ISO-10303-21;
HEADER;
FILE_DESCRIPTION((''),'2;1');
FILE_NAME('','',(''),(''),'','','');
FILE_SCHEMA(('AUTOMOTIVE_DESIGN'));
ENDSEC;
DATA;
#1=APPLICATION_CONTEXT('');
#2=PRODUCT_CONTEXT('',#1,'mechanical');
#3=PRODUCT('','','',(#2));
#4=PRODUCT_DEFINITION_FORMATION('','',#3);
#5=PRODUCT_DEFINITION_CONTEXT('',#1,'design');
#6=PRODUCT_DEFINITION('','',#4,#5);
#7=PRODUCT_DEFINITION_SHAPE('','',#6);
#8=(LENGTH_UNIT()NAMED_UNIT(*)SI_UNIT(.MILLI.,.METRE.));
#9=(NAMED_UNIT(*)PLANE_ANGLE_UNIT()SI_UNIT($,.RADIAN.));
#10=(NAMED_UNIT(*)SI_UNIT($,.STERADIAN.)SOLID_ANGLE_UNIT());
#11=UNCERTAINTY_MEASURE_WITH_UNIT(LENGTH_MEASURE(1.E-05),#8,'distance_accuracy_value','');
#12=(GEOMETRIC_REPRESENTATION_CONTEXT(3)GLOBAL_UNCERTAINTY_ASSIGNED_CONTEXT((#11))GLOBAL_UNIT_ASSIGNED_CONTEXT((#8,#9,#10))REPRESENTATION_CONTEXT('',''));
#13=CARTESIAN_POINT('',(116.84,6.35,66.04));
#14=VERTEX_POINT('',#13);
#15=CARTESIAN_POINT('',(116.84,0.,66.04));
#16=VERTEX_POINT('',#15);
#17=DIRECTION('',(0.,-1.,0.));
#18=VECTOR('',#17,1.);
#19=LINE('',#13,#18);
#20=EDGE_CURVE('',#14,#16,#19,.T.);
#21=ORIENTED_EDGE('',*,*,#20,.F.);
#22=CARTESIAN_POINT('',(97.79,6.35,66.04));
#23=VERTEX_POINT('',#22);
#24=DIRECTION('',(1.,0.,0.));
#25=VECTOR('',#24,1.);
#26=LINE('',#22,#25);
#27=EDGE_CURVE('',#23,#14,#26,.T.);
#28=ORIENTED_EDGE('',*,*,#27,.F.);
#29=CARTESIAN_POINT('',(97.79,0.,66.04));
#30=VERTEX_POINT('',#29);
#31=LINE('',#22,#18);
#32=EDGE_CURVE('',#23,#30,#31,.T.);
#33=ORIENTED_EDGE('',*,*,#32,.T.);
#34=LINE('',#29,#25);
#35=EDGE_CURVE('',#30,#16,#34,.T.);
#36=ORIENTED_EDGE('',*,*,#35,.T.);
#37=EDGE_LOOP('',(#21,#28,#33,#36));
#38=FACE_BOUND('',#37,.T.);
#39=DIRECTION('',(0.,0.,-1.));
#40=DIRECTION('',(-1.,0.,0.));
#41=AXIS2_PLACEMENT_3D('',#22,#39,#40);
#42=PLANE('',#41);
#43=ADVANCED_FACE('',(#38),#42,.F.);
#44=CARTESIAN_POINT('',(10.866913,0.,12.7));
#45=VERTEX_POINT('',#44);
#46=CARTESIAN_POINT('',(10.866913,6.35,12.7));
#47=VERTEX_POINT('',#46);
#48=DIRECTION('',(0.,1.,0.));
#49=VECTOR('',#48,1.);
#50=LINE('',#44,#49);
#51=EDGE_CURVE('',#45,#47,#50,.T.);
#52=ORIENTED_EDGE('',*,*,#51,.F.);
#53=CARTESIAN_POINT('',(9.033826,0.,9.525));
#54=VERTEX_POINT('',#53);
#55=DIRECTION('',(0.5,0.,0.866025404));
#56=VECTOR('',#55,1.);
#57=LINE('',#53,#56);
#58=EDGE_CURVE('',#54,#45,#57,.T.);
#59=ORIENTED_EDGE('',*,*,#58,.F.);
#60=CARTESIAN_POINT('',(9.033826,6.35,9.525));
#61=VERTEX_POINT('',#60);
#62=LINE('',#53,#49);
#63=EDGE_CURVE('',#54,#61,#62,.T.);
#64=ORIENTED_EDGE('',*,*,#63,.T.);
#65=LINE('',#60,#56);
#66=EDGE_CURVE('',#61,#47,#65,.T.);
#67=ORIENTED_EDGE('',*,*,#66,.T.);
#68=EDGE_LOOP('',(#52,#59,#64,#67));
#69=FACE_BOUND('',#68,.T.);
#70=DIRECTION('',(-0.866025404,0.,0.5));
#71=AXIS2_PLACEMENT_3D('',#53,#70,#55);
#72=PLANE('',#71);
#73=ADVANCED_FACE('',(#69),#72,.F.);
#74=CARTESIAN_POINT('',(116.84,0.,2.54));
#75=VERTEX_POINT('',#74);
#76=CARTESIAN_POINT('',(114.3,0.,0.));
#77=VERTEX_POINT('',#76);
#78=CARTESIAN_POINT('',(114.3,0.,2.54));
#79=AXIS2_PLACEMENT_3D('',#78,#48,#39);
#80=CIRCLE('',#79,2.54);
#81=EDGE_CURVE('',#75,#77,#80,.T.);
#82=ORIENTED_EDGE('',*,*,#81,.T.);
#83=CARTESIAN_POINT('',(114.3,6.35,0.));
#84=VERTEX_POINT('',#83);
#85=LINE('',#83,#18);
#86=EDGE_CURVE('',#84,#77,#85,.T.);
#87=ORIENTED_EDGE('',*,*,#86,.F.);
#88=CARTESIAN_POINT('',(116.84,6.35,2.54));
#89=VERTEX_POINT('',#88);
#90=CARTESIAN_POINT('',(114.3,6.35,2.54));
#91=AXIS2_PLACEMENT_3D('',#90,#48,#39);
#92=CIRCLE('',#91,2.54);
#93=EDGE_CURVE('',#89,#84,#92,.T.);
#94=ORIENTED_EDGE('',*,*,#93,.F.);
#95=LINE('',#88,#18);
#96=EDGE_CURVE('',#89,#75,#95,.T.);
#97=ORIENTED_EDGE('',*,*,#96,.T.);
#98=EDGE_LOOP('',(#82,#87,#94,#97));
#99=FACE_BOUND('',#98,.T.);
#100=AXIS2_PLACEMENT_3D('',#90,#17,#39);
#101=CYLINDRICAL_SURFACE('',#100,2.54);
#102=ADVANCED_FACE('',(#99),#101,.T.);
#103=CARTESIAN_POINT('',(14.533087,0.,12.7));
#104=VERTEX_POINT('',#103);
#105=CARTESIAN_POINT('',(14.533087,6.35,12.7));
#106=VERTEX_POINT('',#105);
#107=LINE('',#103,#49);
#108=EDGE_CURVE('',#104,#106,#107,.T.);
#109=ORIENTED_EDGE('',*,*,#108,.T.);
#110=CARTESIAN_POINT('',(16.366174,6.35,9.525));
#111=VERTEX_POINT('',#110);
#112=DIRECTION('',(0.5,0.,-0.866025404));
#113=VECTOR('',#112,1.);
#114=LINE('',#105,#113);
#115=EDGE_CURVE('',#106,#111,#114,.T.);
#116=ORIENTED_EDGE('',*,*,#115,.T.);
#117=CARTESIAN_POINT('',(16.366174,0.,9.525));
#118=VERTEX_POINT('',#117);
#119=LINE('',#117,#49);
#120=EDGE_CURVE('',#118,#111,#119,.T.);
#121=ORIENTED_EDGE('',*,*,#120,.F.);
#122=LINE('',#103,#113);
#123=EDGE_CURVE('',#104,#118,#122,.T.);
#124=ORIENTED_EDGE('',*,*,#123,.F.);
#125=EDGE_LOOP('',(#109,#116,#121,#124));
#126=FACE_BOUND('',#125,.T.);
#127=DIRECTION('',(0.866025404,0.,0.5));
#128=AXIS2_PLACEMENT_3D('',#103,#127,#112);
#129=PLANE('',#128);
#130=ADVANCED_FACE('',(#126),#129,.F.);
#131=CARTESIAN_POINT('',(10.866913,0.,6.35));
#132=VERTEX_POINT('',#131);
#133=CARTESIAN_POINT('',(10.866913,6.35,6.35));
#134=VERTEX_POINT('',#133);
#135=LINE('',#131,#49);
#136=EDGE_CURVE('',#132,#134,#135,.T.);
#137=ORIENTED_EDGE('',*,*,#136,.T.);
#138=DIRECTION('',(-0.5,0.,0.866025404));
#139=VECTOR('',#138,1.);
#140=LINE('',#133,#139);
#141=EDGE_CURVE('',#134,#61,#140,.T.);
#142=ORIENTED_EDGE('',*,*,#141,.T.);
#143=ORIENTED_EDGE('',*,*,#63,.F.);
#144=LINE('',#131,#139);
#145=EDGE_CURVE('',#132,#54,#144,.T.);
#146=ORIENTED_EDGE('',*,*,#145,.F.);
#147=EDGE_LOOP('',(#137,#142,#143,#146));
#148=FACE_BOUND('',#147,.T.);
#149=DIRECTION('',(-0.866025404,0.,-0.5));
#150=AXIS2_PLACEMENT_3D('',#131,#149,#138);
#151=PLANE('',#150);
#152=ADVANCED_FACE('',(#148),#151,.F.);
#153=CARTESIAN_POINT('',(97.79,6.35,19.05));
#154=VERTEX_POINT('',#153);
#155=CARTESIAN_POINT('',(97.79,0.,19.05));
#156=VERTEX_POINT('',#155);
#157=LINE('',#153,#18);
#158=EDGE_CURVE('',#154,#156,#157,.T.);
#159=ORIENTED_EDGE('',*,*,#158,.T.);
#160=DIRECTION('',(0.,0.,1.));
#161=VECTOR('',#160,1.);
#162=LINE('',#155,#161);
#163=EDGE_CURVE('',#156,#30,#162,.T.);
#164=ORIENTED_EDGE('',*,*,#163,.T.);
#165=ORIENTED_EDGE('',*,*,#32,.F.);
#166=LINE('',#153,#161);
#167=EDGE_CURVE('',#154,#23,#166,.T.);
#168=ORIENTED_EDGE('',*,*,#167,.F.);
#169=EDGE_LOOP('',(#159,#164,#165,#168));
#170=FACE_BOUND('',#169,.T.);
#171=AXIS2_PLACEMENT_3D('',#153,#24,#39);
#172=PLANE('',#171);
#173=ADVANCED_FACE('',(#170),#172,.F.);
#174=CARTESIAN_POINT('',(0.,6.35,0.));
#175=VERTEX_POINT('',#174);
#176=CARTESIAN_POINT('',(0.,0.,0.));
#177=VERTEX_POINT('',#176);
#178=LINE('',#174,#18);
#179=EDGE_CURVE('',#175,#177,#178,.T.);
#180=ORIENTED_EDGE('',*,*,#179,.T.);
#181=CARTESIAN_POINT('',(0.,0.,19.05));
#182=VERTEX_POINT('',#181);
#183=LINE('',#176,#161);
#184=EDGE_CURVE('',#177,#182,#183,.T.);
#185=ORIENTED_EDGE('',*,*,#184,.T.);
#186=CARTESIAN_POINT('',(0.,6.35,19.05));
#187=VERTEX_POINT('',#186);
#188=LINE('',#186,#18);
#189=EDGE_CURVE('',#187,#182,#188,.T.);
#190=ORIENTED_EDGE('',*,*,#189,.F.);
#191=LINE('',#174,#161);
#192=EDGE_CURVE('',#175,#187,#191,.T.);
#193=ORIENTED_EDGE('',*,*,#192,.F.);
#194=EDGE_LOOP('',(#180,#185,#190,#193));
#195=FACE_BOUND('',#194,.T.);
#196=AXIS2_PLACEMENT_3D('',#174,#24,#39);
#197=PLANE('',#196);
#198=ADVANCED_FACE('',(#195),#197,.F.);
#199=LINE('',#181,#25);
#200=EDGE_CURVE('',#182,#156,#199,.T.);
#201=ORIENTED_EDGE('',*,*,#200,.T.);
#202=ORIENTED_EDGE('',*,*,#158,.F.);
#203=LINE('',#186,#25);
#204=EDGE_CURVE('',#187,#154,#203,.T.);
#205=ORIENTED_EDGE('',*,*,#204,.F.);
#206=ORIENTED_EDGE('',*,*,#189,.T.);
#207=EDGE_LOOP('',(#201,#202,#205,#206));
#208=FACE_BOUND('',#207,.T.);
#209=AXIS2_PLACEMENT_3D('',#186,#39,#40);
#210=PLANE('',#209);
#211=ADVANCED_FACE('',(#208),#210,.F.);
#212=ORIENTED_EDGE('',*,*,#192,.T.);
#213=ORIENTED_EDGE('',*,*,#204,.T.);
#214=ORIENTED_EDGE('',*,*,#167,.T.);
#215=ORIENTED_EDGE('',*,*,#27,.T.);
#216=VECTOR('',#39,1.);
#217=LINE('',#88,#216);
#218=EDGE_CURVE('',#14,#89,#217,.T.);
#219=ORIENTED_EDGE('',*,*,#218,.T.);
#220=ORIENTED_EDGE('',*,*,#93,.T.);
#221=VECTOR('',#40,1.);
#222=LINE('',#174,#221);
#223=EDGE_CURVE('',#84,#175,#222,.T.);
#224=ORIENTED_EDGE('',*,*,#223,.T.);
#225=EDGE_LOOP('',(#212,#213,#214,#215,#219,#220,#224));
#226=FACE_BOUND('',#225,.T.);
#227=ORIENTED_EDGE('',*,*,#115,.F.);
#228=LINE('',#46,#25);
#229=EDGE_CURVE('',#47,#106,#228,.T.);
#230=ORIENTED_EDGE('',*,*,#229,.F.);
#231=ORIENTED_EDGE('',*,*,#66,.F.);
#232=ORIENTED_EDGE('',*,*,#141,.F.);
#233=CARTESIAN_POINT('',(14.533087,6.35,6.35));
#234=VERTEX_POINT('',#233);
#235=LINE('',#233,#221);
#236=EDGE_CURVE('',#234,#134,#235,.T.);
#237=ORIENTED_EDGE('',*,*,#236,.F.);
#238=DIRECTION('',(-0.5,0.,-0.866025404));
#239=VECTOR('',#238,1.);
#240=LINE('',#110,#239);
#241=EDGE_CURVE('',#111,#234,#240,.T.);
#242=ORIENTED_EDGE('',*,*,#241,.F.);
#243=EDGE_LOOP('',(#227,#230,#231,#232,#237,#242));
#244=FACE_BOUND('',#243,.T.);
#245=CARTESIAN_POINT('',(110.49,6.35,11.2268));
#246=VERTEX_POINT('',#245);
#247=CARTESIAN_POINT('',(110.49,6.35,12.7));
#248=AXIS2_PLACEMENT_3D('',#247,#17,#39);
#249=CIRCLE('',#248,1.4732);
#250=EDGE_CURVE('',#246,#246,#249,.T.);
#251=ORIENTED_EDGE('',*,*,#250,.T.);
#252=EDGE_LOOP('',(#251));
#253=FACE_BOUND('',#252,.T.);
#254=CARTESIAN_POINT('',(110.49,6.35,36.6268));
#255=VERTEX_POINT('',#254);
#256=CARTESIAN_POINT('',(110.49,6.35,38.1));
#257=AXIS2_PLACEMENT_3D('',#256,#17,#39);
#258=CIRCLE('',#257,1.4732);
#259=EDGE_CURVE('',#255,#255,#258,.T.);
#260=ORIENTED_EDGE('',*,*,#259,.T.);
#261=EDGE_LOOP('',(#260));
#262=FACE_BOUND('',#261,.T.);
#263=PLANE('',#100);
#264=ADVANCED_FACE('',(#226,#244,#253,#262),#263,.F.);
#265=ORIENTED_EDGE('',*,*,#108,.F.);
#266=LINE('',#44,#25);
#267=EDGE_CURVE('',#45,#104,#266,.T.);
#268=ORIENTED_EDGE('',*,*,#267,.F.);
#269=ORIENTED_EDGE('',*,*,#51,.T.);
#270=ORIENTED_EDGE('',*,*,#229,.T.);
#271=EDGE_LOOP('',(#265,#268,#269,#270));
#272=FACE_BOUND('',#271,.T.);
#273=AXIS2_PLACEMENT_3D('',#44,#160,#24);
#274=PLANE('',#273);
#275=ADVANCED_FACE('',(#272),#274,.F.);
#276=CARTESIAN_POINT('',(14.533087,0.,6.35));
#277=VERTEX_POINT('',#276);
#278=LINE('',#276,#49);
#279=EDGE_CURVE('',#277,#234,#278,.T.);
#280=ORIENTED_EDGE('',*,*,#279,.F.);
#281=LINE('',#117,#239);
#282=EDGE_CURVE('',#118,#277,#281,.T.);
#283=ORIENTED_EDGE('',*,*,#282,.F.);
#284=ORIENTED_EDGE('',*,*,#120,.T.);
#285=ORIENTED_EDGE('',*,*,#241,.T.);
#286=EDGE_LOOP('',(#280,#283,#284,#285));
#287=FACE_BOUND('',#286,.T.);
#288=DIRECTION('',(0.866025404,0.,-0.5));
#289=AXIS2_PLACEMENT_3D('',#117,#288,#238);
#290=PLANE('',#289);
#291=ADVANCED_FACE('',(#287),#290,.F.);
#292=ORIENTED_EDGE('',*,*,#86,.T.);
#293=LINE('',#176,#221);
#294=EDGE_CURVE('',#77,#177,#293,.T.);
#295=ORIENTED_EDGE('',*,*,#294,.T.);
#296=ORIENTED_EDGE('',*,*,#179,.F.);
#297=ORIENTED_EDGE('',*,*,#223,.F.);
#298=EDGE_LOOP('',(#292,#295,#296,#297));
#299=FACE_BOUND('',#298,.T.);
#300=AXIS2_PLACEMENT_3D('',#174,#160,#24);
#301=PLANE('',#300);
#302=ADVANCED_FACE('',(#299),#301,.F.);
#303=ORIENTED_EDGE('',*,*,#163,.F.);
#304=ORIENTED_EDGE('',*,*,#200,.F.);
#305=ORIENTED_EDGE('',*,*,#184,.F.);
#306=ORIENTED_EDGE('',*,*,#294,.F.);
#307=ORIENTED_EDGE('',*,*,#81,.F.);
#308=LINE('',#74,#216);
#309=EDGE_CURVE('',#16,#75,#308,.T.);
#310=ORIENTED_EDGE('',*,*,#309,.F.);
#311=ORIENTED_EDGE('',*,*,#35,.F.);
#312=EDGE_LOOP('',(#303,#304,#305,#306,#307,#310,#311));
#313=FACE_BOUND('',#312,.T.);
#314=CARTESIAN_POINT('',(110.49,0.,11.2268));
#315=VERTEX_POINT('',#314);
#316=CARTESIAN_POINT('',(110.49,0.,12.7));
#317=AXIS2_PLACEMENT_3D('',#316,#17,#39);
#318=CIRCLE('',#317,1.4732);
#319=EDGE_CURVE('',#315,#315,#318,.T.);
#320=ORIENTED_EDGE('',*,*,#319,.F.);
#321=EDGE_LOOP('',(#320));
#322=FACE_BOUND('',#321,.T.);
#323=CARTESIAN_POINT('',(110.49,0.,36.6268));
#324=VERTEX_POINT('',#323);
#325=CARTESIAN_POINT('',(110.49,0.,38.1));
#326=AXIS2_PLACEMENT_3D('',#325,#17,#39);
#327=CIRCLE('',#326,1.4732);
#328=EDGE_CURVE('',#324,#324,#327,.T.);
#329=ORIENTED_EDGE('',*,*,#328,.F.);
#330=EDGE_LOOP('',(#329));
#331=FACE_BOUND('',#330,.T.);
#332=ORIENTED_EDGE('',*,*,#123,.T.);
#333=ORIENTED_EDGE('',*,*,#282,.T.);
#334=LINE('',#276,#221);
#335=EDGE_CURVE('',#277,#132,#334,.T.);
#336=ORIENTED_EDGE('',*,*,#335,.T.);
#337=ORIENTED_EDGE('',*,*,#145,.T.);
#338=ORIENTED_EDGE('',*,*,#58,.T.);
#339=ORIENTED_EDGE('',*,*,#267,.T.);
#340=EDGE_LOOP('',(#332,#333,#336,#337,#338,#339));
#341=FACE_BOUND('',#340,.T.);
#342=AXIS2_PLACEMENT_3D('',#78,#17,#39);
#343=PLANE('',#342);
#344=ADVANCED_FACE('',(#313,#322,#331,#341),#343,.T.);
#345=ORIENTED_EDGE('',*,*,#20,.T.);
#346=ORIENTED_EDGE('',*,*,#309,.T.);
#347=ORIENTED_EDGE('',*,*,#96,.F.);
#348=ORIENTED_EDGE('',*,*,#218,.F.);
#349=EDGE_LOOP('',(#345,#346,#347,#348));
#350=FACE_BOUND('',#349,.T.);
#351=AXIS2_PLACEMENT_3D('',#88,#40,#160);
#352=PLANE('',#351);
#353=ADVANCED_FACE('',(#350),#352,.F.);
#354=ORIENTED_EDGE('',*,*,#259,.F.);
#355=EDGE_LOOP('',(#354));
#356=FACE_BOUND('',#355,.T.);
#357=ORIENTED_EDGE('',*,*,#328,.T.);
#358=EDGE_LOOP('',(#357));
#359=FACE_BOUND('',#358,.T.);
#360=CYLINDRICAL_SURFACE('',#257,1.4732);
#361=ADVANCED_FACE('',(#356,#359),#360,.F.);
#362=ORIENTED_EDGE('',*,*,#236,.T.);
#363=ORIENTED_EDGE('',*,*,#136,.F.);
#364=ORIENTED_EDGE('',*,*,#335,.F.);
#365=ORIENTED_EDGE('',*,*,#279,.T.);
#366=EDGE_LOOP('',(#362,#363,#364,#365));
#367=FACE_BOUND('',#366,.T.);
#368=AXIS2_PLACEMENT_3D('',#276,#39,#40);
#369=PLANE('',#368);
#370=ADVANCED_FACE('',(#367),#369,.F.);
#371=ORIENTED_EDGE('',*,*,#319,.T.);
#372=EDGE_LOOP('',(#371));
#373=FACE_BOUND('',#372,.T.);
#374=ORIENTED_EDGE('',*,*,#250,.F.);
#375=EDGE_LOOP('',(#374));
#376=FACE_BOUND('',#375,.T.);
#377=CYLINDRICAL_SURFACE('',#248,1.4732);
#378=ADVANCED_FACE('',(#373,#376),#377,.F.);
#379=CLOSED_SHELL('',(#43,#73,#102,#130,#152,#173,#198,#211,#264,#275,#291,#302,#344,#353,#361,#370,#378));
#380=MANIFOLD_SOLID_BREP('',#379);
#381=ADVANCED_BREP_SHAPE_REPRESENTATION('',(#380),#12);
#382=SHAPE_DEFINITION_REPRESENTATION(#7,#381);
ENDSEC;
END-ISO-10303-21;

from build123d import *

# Parameters (mm, degrees)
BOSS_EXTRUDE1_DEPTH = 6.35
CUT_EXTRUDE1_DEPTH  = 135.362158735
SKETCH3_R           = 1.4732
CUT_EXTRUDE2_DEPTH  = 135.362158735


with BuildPart() as part:
    # Sketch1 → Boss-Extrude1 (new body)
    with BuildSketch(Plane(origin=(0, 0, 0), x_dir=(1, 0, 0), z_dir=(0, 1, 0))):
        with BuildLine():
            Line((0, 0), (114.3, 0))
            ThreePointArc((114.3, 0), (116.096051224, -0.743948776), (116.84, -2.54))
            Line((116.84, -2.54), (116.84, -66.04))
            Line((116.84, -66.04), (97.79, -66.04))
            Line((97.79, -66.04), (97.79, -19.05))
            Line((97.79, -19.05), (0, -19.05))
            Line((0, -19.05), (0, 0))
        make_face()
    extrude(amount=BOSS_EXTRUDE1_DEPTH)

    # Sketch2 → Cut-Extrude1 (cut, through all)
    with BuildSketch(Plane(origin=(0, 6.35, 0), x_dir=(1, 0, 0), z_dir=(0, 1, 0))):
        Polygon((14.533087105, -12.7), (16.366174209, -9.525), (14.533087105, -6.35), (10.866912895, -6.35), (9.033825791, -9.525), (10.866912895, -12.7), align=None)
    extrude(amount=-CUT_EXTRUDE1_DEPTH, mode=Mode.SUBTRACT)

    # Sketch3 → Cut-Extrude2 (cut, through all)
    with BuildSketch(Plane.XZ):
        with Locations(Location((110.49, 38.1, 0), (0, 0, 270))):
            Circle(SKETCH3_R)
        with Locations(Location((110.49, 12.7, 0), (0, 0, 270))):
            Circle(SKETCH3_R)
    extrude(amount=-CUT_EXTRUDE2_DEPTH, mode=Mode.SUBTRACT)


solid = part.part
